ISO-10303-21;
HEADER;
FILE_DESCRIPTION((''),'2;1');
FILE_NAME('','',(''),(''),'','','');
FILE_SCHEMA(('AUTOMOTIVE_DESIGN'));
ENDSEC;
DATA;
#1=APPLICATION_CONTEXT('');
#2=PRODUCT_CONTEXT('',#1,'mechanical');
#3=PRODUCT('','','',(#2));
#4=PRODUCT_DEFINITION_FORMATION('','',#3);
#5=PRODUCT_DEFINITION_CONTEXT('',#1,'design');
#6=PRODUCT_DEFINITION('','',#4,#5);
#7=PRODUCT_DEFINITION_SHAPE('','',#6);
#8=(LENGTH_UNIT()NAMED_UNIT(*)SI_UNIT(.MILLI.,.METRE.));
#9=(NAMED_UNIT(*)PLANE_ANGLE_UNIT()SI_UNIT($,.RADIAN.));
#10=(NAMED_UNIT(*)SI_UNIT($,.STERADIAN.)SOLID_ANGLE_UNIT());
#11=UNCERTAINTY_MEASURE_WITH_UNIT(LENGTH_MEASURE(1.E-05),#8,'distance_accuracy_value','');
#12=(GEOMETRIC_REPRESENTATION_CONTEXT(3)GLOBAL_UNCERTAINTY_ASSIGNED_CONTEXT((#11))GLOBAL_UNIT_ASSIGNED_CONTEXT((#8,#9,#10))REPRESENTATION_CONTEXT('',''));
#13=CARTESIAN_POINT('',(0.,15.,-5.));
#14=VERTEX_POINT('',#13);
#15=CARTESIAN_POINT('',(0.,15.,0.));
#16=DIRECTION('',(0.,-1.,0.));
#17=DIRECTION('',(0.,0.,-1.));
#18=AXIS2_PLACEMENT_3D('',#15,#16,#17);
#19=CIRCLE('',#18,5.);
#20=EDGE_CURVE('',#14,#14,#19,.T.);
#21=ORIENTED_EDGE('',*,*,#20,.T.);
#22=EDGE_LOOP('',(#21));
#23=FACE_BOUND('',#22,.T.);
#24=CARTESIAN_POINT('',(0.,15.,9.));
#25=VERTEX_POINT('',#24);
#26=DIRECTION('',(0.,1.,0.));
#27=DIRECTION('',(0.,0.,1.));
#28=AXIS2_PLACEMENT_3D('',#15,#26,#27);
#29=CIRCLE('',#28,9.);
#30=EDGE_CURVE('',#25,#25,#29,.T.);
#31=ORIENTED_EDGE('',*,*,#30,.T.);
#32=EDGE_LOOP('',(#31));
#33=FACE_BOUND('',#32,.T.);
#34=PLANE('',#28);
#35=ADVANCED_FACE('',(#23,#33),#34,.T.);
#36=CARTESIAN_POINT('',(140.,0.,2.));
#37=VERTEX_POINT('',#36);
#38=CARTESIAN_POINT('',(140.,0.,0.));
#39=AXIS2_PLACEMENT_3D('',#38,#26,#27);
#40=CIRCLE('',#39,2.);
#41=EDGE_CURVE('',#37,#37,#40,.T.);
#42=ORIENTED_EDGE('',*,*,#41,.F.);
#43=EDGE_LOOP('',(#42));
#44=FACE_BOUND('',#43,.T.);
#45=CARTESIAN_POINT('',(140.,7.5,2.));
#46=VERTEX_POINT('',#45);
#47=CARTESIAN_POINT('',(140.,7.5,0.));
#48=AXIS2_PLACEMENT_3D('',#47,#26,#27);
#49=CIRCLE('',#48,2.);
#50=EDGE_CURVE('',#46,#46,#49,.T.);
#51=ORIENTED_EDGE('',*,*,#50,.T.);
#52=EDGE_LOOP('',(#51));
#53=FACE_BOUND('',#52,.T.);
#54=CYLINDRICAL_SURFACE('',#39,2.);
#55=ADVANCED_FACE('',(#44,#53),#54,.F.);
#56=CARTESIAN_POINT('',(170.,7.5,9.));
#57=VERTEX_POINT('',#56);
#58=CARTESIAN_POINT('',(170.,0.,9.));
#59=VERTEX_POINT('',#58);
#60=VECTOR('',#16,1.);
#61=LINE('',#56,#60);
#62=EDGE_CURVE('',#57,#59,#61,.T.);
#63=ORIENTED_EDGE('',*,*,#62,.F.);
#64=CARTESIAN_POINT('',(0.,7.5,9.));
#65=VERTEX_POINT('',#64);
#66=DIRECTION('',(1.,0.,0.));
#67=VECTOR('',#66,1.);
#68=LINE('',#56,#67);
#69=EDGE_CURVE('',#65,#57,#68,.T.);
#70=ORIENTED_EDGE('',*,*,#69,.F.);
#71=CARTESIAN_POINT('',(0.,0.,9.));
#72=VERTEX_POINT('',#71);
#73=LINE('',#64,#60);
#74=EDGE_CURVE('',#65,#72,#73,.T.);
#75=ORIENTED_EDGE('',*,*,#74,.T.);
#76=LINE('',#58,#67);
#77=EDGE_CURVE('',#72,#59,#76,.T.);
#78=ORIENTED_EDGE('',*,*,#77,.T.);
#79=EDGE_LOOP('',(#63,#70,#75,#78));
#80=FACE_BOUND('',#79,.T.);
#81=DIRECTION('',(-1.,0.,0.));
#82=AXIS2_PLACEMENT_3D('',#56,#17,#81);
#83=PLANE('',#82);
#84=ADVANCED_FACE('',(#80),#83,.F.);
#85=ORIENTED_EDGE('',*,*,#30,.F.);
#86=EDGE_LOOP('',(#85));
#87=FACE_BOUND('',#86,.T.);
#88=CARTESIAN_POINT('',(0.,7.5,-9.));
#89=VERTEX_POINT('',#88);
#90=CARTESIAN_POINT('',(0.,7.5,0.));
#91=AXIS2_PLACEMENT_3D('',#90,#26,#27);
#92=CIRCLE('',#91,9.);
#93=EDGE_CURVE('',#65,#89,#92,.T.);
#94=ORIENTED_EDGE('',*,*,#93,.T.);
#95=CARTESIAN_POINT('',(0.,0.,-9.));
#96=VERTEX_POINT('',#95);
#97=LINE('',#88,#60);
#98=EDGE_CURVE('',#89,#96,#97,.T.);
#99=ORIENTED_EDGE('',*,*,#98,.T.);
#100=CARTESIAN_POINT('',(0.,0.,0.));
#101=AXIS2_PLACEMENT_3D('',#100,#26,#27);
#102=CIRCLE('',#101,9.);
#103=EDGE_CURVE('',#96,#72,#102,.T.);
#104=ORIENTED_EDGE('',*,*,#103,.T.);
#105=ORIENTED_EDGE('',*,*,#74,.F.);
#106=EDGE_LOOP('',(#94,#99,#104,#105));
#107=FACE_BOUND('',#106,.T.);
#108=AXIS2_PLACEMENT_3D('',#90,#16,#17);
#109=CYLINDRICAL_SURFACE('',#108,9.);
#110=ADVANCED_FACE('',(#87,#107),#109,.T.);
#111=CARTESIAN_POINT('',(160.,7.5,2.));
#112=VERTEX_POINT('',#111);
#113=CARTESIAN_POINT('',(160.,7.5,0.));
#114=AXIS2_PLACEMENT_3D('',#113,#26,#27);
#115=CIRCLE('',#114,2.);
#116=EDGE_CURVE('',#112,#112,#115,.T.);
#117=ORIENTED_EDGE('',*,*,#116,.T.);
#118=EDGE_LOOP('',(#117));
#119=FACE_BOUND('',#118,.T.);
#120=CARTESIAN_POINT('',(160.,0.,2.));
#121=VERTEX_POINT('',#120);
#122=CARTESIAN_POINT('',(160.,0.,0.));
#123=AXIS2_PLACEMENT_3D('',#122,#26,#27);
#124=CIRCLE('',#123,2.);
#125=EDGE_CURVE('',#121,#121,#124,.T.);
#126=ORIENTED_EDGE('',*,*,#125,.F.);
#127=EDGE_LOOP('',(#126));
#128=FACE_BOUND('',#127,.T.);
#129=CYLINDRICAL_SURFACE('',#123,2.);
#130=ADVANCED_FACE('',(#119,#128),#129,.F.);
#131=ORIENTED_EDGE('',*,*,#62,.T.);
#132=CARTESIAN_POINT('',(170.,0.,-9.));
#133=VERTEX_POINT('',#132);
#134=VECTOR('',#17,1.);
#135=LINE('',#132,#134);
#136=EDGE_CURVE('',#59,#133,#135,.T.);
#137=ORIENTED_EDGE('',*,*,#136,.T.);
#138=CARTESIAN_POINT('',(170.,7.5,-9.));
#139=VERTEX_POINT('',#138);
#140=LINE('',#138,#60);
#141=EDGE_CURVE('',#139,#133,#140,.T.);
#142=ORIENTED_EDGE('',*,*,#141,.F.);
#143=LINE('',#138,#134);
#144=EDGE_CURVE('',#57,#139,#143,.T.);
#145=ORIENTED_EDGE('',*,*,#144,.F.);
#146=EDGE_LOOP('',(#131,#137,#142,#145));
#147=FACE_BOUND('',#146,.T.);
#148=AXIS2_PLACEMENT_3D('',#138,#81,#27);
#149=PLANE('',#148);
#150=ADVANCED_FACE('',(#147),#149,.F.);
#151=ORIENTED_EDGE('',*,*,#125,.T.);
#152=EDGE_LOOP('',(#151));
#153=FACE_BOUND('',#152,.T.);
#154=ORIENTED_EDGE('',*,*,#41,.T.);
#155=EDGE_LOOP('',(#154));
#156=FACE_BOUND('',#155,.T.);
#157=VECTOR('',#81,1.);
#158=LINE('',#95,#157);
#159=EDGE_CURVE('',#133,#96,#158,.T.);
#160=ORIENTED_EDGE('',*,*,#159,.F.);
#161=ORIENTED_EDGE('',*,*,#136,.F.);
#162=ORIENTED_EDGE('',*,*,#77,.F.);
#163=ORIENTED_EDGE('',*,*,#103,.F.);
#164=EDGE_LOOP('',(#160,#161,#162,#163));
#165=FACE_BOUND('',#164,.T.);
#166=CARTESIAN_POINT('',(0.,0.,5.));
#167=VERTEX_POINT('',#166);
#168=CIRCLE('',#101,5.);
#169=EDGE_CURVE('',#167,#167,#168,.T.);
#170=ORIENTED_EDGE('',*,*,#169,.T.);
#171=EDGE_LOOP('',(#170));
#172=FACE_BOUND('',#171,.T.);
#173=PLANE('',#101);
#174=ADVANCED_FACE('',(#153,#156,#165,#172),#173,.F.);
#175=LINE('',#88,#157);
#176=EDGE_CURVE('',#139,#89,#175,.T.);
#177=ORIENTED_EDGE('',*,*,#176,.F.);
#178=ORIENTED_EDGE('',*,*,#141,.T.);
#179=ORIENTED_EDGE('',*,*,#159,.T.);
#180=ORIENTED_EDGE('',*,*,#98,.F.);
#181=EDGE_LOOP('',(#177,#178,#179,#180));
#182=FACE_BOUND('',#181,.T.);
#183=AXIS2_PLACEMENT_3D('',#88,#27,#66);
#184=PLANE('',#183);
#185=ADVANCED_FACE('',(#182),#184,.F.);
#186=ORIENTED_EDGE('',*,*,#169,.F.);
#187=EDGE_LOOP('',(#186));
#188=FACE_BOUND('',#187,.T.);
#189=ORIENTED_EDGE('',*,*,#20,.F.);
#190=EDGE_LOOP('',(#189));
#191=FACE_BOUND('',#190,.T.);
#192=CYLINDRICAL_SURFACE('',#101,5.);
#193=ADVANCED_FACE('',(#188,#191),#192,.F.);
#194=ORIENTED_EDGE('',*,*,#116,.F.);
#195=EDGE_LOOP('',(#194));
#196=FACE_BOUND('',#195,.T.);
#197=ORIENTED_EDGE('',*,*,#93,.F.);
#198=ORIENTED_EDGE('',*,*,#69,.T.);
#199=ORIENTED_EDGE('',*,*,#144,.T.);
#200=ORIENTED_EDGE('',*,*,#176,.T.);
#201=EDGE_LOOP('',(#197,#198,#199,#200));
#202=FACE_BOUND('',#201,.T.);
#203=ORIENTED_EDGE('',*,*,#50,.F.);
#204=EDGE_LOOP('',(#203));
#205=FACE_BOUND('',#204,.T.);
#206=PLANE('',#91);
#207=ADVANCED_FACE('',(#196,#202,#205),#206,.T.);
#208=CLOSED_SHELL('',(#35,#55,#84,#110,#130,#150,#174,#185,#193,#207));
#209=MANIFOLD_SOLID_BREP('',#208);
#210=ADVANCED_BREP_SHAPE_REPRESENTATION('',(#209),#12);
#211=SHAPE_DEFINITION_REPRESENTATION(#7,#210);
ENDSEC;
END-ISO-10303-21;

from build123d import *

# Parameters (mm, degrees)
BOSS_EXTRUDE1_DEPTH = 7.5
SKETCH2_R           = 5
SKETCH2_R_2         = 2
CUT_EXTRUDE1_DEPTH  = 171.403198327
SKETCH3_R           = 9
BOSS_EXTRUDE2_DEPTH = 7.5
SKETCH4_R           = 5
CUT_EXTRUDE2_DEPTH  = 171.403198327


with BuildPart() as part:
    # Sketch1 → Boss-Extrude1 (new body)
    with BuildSketch(Plane(origin=(0, 0, 0), x_dir=(1, 0, 0), z_dir=(0, 1, 0))):
        with BuildLine():
            Line((0, 9), (170, 9))
            Line((170, 9), (170, -9))
            Line((170, -9), (0, -9))
            ThreePointArc((0, -9), (-9, 0), (0, 9))
        make_face()
    extrude(amount=BOSS_EXTRUDE1_DEPTH)

    # Sketch2 → Cut-Extrude1 (cut, through all)
    with BuildSketch(Plane(origin=(0, 7.5, 0), x_dir=(1, 0, 0), z_dir=(0, 1, 0))):
        with Locations(Location((0, 0, 0), (0, 0, 270))):
            Circle(SKETCH2_R)
        with Locations(Location((160, 0, 0), (0, 0, 270))):
            Circle(SKETCH2_R_2)
        with Locations(Location((140, 0, 0), (0, 0, 270))):
            Circle(SKETCH2_R_2)
    extrude(amount=-CUT_EXTRUDE1_DEPTH, mode=Mode.SUBTRACT)

    # Sketch3 → Boss-Extrude2 (add)
    with BuildSketch(Plane(origin=(0, 7.5, 0), x_dir=(1, 0, 0), z_dir=(0, 1, 0))):
        with Locations(Location((0, 0, 0), (0, 0, 270))):
            Circle(SKETCH3_R)
    extrude(amount=BOSS_EXTRUDE2_DEPTH)

    # Sketch4 → Cut-Extrude2 (cut, through all)
    with BuildSketch(Plane.XZ.offset(-7.5)):
        with Locations(Location((0, 0, 0), (0, 0, 90))):
            Circle(SKETCH4_R)
    extrude(amount=-CUT_EXTRUDE2_DEPTH, mode=Mode.SUBTRACT)


solid = part.part
